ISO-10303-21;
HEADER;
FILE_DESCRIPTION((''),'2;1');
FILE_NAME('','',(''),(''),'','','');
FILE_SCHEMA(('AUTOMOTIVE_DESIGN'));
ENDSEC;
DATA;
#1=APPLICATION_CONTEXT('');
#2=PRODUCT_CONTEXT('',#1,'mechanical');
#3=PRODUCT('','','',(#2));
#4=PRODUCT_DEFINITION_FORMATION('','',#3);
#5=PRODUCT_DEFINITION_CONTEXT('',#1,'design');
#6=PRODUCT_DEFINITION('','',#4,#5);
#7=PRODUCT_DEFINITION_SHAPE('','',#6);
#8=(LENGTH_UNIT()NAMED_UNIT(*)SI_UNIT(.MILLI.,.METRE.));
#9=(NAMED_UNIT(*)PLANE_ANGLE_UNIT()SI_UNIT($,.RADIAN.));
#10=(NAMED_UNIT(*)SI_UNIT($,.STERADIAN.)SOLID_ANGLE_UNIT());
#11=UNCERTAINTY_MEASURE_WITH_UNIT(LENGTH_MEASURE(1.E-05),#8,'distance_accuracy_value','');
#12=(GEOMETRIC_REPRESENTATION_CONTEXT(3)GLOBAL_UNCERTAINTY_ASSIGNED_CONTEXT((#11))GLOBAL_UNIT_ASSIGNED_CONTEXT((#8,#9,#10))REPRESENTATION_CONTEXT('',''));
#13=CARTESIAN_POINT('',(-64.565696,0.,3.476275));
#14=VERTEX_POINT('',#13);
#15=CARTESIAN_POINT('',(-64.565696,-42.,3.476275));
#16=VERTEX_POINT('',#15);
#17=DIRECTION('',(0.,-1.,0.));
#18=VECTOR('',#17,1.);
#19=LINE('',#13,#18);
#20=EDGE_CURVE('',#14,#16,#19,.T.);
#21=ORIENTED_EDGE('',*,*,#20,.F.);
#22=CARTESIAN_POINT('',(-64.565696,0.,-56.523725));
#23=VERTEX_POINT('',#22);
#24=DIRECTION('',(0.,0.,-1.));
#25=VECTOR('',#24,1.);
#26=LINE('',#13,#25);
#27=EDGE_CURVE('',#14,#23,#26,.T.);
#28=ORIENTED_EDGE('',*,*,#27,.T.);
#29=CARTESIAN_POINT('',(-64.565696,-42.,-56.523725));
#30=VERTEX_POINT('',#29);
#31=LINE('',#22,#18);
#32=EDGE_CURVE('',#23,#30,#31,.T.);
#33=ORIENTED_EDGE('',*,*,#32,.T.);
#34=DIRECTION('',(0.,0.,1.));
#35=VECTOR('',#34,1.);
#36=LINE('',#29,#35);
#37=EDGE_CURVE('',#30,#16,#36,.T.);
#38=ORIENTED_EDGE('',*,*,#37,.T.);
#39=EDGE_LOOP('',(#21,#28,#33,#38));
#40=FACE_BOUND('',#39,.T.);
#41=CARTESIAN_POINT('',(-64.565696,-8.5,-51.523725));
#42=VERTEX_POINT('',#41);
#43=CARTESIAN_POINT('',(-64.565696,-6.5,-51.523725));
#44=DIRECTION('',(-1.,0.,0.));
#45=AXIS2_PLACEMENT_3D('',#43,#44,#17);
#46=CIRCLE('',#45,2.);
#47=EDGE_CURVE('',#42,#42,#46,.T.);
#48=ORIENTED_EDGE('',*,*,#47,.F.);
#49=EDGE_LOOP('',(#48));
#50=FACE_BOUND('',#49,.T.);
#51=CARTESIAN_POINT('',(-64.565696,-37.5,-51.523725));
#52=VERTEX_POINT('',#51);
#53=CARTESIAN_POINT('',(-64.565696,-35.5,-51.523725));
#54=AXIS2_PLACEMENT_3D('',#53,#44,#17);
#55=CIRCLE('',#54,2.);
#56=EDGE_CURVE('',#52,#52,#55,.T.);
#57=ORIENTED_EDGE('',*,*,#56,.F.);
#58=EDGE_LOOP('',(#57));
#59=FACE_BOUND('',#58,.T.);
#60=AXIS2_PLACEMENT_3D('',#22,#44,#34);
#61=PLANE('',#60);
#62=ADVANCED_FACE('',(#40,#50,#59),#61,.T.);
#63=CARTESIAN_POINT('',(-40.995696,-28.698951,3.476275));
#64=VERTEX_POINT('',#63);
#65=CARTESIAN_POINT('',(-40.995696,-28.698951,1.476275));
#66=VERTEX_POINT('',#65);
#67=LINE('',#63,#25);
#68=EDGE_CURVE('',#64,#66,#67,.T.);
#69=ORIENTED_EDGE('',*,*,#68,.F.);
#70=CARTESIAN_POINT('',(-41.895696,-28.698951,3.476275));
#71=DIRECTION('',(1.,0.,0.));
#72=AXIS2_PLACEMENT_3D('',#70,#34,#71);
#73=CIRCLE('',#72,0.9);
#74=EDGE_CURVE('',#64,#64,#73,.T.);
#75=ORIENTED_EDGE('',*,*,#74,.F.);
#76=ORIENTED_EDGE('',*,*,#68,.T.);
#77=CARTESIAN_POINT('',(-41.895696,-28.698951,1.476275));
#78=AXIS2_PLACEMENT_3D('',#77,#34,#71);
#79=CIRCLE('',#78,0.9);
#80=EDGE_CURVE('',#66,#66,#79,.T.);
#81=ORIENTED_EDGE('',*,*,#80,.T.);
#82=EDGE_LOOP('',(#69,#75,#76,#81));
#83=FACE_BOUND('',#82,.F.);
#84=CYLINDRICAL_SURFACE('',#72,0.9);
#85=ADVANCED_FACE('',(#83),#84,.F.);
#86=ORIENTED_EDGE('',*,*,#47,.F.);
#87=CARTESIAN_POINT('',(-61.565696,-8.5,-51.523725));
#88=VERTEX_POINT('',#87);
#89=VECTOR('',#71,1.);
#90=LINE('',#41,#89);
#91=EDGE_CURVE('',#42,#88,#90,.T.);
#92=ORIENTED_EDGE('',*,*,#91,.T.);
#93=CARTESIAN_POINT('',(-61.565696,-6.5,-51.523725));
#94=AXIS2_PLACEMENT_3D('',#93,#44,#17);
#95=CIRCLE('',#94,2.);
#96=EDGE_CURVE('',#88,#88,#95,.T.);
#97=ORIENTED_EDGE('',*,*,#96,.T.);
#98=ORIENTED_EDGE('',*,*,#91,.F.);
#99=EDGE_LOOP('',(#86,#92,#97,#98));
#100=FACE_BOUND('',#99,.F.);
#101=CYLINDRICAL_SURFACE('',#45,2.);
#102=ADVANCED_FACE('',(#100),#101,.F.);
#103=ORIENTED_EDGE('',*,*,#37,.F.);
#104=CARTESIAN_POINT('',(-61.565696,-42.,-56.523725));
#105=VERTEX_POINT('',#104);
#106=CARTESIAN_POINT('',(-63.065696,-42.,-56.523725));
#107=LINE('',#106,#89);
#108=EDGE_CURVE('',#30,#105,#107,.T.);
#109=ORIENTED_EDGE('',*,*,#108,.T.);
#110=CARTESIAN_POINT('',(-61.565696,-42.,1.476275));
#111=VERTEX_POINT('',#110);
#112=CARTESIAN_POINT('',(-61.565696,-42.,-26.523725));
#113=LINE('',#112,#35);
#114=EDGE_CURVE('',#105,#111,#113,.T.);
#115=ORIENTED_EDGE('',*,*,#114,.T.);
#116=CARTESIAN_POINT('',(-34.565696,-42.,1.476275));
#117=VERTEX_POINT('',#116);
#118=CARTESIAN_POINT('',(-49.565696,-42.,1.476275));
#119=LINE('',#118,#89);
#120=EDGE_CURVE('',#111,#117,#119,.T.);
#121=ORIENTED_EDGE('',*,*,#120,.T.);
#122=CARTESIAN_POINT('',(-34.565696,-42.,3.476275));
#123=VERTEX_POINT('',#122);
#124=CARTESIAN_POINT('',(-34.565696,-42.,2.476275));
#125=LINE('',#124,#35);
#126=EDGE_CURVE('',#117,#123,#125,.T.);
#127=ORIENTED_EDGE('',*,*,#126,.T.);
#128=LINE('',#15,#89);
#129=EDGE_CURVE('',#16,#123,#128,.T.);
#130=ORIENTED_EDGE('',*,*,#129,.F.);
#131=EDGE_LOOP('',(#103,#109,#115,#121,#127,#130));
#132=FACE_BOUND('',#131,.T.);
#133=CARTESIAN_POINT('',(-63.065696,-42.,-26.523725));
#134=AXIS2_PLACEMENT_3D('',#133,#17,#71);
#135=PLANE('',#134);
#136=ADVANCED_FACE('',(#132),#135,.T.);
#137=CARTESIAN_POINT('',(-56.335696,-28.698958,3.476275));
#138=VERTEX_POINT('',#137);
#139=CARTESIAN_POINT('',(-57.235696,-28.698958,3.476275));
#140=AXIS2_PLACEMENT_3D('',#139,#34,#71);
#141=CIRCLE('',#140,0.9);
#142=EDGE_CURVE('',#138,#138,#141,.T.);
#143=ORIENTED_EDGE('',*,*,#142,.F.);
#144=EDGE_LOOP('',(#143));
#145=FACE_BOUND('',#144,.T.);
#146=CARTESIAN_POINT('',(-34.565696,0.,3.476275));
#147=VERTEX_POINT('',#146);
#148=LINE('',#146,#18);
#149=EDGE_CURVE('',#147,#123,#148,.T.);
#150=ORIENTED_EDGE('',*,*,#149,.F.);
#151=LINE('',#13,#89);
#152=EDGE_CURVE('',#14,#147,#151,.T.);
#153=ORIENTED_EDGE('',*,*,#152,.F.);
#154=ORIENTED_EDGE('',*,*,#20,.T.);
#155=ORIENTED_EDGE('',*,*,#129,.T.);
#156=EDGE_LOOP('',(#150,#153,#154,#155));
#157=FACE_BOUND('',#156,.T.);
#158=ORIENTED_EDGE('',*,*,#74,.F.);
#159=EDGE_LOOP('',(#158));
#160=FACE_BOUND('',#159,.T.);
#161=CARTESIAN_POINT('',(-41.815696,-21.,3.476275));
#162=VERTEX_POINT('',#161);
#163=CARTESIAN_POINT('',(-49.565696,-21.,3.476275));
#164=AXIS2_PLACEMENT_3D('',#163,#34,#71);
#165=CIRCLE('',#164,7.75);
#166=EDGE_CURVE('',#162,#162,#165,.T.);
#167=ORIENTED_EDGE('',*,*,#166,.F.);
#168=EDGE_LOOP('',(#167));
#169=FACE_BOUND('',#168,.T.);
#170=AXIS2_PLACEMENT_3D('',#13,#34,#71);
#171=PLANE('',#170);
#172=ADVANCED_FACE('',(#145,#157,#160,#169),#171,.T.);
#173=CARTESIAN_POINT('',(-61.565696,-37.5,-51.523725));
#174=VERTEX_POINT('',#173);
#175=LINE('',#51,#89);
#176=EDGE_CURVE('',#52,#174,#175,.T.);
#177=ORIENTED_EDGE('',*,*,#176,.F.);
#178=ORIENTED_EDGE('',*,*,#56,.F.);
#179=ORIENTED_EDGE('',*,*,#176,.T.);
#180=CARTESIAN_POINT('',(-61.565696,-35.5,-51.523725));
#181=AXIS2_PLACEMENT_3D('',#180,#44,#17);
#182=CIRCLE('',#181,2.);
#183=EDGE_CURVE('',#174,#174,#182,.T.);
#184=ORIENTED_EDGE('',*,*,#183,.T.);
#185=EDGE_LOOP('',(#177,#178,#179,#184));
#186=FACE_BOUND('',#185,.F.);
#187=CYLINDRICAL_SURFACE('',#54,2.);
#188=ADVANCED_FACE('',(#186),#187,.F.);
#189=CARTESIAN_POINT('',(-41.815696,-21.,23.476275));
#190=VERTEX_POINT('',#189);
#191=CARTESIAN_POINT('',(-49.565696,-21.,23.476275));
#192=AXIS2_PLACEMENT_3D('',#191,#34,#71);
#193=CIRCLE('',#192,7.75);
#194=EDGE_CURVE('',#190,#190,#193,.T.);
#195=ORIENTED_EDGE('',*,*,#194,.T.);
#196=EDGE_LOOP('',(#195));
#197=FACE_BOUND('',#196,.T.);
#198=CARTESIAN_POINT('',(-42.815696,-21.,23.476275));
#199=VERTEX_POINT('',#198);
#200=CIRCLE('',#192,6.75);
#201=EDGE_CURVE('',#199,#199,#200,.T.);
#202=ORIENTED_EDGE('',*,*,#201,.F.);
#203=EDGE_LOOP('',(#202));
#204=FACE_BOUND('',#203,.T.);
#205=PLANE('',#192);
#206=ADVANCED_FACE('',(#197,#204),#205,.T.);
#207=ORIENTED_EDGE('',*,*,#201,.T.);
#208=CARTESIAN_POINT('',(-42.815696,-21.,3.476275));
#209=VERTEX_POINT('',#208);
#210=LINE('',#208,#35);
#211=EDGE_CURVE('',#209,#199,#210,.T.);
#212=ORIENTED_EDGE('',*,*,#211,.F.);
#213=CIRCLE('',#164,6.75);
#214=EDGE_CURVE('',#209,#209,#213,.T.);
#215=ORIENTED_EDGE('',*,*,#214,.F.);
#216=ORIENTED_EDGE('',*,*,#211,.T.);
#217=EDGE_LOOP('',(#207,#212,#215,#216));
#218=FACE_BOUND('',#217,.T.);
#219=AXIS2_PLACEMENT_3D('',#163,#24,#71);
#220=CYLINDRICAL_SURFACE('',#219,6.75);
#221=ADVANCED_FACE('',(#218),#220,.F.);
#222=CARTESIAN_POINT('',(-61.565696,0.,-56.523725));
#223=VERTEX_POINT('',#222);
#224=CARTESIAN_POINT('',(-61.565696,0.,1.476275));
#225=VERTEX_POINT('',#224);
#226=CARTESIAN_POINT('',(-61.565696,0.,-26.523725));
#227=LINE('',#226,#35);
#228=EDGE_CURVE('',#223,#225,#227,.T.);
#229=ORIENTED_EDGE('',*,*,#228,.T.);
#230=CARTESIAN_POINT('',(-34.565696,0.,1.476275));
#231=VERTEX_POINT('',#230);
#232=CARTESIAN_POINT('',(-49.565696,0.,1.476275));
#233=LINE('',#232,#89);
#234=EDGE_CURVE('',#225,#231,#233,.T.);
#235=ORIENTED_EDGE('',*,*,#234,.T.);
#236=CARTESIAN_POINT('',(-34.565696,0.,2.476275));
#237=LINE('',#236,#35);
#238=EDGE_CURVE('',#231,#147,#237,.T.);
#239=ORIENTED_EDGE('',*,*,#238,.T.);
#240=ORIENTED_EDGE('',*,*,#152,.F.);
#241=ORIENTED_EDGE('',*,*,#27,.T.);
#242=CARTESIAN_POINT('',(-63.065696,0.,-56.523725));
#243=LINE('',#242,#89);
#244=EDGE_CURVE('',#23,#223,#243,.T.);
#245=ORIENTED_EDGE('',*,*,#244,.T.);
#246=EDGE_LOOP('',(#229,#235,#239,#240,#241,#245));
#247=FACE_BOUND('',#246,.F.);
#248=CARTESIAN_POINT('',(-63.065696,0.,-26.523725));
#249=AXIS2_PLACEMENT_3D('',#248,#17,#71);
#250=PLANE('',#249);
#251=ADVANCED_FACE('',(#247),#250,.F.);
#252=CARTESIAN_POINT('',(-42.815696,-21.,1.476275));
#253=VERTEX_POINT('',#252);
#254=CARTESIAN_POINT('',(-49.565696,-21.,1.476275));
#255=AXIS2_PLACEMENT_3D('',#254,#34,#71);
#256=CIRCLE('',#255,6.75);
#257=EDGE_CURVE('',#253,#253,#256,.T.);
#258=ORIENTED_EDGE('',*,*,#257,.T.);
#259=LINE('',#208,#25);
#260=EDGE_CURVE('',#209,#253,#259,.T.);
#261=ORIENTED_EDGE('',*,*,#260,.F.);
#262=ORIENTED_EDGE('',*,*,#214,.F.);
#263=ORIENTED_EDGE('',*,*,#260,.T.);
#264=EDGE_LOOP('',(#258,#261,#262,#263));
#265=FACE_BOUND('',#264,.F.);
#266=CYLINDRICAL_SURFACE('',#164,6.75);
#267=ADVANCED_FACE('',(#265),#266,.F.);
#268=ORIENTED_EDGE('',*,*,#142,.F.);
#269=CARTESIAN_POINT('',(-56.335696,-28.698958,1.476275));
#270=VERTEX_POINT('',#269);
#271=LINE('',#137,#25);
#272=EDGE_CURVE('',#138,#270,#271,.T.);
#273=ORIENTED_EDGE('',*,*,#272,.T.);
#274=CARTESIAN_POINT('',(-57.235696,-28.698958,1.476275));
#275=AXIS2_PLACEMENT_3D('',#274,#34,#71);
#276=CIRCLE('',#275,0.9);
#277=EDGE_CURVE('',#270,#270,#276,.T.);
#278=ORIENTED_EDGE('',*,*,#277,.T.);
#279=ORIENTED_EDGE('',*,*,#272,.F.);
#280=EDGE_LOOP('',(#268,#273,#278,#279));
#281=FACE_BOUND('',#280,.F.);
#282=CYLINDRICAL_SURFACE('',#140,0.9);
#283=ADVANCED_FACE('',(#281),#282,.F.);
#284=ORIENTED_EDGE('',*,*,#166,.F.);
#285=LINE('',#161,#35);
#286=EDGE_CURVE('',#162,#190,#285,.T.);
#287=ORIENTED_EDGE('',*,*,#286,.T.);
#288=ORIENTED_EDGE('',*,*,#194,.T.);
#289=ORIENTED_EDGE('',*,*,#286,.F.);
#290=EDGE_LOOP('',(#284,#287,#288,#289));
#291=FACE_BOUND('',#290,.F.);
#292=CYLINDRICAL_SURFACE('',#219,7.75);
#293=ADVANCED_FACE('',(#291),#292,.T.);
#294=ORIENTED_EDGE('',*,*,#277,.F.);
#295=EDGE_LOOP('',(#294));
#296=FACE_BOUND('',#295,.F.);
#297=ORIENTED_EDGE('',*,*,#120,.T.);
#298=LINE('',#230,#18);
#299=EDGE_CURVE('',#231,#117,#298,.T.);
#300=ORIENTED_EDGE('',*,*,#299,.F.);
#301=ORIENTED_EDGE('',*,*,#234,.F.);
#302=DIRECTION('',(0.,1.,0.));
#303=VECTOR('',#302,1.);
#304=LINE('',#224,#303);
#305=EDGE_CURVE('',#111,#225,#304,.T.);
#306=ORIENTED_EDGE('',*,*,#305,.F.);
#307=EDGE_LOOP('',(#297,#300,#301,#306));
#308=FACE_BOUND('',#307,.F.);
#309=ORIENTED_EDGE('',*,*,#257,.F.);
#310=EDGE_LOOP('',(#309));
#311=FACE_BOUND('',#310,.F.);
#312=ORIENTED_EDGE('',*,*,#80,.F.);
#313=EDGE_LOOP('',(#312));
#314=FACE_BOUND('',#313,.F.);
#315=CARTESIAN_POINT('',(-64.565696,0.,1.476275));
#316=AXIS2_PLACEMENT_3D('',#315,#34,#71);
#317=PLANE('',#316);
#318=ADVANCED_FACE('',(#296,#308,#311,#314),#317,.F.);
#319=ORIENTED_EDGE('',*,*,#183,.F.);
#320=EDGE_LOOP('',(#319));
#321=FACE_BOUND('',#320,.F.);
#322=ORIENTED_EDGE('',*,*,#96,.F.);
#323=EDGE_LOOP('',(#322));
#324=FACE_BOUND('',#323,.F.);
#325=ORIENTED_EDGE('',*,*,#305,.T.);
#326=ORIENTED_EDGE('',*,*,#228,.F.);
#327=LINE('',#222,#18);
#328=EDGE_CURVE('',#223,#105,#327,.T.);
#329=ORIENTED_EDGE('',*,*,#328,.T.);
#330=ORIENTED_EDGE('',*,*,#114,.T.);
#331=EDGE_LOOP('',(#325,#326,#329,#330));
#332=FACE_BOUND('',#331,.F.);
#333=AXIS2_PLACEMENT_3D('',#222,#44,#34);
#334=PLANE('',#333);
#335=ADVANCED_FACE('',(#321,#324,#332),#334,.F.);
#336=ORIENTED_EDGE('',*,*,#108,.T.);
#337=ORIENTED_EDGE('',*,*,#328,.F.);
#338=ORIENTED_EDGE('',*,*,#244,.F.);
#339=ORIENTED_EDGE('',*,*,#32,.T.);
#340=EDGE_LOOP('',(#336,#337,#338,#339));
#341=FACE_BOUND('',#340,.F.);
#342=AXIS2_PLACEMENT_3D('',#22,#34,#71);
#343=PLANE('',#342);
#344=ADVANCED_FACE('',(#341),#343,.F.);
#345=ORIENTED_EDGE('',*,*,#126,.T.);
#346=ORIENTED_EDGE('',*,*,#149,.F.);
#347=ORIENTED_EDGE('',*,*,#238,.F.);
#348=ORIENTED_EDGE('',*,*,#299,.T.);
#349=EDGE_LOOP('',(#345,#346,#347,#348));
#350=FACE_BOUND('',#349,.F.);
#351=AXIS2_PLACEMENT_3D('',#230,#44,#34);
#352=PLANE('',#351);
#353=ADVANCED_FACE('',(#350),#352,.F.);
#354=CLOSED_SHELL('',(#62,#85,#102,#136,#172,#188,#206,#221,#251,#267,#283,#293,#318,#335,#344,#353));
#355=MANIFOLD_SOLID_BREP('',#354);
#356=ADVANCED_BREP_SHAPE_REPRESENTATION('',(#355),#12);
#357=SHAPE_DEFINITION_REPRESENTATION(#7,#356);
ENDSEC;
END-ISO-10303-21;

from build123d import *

# Parameters (mm, degrees)
F0_W      = 3
F0_H      = 60
F1_DEPTH  = 42
F2_W      = 30
F2_H      = 2
F3_DEPTH  = 42
F4_R      = 7.5
F4_W      = 30
F4_H      = 42
F5_DEPTH  = 2
F6_R      = 7.75
F6_R_2    = 6.75
F7_DEPTH  = 20
F9_R      = 2
F10_DEPTH = 25
F11_DEPTH = 25
F8_R      = 0.9
F12_DEPTH = 25


with BuildPart() as f1:
    # F0 (on Front) → F1 (new body)
    with BuildSketch(Plane.XZ):
        with Locations((-63.065696, -26.523725)):
            Rectangle(F0_W, F0_H)
    extrude(amount=F1_DEPTH)

    # F2 (on Front) → F3 (join)
    with BuildSketch(Plane.XZ):
        with Locations((-49.565696, 2.476275)):
            Rectangle(F2_W, F2_H)
    extrude(amount=F3_DEPTH)

    # F4 (on face) → F5 (join)
    with BuildSketch(Plane.XY.offset(3.476275)):
        with Locations((-43.565696, -21)):
            Circle(F4_R)
        with Locations((-49.565696, -21)):
            Rectangle(F4_W, F4_H)
        with Locations((-43.565696, -21)):
            Circle(F4_R, mode=Mode.SUBTRACT)
    extrude(amount=-F5_DEPTH)

    # F6 (on face) → F7 (join)
    with BuildSketch(Plane.XY.offset(3.476275)):
        with Locations((-49.565696, -21)):
            Circle(F6_R)
        with Locations((-49.565696, -21)):
            Circle(F6_R_2, mode=Mode.SUBTRACT)
    extrude(amount=F7_DEPTH)

    # F9 (on face) → F10 (cut)
    with BuildSketch(Plane(origin=(-64.565696, 0, 0), x_dir=(0, -1, 0), z_dir=(-1, 0, 0))):
        with Locations((35.5, -51.523725)):
            Circle(F9_R)
        with Locations((6.5, -51.523725)):
            Circle(F9_R)
    extrude(amount=-F10_DEPTH, mode=Mode.SUBTRACT)

    # F6 (on face) → F11 (cut)
    with BuildSketch(Plane.XY.offset(3.476275)):
        with Locations((-49.565696, -21)):
            Circle(F6_R_2)
    extrude(amount=-F11_DEPTH, mode=Mode.SUBTRACT)

    # F8 (on face) → F12 (cut)
    with BuildSketch(Plane.XY.offset(3.476275)):
        with Locations((-57.235696, -28.698958)):
            Circle(F8_R)
        with Locations((-41.895696, -28.698951)):
            Circle(F8_R)
    extrude(amount=-F12_DEPTH, mode=Mode.SUBTRACT)


solid = f1.part
